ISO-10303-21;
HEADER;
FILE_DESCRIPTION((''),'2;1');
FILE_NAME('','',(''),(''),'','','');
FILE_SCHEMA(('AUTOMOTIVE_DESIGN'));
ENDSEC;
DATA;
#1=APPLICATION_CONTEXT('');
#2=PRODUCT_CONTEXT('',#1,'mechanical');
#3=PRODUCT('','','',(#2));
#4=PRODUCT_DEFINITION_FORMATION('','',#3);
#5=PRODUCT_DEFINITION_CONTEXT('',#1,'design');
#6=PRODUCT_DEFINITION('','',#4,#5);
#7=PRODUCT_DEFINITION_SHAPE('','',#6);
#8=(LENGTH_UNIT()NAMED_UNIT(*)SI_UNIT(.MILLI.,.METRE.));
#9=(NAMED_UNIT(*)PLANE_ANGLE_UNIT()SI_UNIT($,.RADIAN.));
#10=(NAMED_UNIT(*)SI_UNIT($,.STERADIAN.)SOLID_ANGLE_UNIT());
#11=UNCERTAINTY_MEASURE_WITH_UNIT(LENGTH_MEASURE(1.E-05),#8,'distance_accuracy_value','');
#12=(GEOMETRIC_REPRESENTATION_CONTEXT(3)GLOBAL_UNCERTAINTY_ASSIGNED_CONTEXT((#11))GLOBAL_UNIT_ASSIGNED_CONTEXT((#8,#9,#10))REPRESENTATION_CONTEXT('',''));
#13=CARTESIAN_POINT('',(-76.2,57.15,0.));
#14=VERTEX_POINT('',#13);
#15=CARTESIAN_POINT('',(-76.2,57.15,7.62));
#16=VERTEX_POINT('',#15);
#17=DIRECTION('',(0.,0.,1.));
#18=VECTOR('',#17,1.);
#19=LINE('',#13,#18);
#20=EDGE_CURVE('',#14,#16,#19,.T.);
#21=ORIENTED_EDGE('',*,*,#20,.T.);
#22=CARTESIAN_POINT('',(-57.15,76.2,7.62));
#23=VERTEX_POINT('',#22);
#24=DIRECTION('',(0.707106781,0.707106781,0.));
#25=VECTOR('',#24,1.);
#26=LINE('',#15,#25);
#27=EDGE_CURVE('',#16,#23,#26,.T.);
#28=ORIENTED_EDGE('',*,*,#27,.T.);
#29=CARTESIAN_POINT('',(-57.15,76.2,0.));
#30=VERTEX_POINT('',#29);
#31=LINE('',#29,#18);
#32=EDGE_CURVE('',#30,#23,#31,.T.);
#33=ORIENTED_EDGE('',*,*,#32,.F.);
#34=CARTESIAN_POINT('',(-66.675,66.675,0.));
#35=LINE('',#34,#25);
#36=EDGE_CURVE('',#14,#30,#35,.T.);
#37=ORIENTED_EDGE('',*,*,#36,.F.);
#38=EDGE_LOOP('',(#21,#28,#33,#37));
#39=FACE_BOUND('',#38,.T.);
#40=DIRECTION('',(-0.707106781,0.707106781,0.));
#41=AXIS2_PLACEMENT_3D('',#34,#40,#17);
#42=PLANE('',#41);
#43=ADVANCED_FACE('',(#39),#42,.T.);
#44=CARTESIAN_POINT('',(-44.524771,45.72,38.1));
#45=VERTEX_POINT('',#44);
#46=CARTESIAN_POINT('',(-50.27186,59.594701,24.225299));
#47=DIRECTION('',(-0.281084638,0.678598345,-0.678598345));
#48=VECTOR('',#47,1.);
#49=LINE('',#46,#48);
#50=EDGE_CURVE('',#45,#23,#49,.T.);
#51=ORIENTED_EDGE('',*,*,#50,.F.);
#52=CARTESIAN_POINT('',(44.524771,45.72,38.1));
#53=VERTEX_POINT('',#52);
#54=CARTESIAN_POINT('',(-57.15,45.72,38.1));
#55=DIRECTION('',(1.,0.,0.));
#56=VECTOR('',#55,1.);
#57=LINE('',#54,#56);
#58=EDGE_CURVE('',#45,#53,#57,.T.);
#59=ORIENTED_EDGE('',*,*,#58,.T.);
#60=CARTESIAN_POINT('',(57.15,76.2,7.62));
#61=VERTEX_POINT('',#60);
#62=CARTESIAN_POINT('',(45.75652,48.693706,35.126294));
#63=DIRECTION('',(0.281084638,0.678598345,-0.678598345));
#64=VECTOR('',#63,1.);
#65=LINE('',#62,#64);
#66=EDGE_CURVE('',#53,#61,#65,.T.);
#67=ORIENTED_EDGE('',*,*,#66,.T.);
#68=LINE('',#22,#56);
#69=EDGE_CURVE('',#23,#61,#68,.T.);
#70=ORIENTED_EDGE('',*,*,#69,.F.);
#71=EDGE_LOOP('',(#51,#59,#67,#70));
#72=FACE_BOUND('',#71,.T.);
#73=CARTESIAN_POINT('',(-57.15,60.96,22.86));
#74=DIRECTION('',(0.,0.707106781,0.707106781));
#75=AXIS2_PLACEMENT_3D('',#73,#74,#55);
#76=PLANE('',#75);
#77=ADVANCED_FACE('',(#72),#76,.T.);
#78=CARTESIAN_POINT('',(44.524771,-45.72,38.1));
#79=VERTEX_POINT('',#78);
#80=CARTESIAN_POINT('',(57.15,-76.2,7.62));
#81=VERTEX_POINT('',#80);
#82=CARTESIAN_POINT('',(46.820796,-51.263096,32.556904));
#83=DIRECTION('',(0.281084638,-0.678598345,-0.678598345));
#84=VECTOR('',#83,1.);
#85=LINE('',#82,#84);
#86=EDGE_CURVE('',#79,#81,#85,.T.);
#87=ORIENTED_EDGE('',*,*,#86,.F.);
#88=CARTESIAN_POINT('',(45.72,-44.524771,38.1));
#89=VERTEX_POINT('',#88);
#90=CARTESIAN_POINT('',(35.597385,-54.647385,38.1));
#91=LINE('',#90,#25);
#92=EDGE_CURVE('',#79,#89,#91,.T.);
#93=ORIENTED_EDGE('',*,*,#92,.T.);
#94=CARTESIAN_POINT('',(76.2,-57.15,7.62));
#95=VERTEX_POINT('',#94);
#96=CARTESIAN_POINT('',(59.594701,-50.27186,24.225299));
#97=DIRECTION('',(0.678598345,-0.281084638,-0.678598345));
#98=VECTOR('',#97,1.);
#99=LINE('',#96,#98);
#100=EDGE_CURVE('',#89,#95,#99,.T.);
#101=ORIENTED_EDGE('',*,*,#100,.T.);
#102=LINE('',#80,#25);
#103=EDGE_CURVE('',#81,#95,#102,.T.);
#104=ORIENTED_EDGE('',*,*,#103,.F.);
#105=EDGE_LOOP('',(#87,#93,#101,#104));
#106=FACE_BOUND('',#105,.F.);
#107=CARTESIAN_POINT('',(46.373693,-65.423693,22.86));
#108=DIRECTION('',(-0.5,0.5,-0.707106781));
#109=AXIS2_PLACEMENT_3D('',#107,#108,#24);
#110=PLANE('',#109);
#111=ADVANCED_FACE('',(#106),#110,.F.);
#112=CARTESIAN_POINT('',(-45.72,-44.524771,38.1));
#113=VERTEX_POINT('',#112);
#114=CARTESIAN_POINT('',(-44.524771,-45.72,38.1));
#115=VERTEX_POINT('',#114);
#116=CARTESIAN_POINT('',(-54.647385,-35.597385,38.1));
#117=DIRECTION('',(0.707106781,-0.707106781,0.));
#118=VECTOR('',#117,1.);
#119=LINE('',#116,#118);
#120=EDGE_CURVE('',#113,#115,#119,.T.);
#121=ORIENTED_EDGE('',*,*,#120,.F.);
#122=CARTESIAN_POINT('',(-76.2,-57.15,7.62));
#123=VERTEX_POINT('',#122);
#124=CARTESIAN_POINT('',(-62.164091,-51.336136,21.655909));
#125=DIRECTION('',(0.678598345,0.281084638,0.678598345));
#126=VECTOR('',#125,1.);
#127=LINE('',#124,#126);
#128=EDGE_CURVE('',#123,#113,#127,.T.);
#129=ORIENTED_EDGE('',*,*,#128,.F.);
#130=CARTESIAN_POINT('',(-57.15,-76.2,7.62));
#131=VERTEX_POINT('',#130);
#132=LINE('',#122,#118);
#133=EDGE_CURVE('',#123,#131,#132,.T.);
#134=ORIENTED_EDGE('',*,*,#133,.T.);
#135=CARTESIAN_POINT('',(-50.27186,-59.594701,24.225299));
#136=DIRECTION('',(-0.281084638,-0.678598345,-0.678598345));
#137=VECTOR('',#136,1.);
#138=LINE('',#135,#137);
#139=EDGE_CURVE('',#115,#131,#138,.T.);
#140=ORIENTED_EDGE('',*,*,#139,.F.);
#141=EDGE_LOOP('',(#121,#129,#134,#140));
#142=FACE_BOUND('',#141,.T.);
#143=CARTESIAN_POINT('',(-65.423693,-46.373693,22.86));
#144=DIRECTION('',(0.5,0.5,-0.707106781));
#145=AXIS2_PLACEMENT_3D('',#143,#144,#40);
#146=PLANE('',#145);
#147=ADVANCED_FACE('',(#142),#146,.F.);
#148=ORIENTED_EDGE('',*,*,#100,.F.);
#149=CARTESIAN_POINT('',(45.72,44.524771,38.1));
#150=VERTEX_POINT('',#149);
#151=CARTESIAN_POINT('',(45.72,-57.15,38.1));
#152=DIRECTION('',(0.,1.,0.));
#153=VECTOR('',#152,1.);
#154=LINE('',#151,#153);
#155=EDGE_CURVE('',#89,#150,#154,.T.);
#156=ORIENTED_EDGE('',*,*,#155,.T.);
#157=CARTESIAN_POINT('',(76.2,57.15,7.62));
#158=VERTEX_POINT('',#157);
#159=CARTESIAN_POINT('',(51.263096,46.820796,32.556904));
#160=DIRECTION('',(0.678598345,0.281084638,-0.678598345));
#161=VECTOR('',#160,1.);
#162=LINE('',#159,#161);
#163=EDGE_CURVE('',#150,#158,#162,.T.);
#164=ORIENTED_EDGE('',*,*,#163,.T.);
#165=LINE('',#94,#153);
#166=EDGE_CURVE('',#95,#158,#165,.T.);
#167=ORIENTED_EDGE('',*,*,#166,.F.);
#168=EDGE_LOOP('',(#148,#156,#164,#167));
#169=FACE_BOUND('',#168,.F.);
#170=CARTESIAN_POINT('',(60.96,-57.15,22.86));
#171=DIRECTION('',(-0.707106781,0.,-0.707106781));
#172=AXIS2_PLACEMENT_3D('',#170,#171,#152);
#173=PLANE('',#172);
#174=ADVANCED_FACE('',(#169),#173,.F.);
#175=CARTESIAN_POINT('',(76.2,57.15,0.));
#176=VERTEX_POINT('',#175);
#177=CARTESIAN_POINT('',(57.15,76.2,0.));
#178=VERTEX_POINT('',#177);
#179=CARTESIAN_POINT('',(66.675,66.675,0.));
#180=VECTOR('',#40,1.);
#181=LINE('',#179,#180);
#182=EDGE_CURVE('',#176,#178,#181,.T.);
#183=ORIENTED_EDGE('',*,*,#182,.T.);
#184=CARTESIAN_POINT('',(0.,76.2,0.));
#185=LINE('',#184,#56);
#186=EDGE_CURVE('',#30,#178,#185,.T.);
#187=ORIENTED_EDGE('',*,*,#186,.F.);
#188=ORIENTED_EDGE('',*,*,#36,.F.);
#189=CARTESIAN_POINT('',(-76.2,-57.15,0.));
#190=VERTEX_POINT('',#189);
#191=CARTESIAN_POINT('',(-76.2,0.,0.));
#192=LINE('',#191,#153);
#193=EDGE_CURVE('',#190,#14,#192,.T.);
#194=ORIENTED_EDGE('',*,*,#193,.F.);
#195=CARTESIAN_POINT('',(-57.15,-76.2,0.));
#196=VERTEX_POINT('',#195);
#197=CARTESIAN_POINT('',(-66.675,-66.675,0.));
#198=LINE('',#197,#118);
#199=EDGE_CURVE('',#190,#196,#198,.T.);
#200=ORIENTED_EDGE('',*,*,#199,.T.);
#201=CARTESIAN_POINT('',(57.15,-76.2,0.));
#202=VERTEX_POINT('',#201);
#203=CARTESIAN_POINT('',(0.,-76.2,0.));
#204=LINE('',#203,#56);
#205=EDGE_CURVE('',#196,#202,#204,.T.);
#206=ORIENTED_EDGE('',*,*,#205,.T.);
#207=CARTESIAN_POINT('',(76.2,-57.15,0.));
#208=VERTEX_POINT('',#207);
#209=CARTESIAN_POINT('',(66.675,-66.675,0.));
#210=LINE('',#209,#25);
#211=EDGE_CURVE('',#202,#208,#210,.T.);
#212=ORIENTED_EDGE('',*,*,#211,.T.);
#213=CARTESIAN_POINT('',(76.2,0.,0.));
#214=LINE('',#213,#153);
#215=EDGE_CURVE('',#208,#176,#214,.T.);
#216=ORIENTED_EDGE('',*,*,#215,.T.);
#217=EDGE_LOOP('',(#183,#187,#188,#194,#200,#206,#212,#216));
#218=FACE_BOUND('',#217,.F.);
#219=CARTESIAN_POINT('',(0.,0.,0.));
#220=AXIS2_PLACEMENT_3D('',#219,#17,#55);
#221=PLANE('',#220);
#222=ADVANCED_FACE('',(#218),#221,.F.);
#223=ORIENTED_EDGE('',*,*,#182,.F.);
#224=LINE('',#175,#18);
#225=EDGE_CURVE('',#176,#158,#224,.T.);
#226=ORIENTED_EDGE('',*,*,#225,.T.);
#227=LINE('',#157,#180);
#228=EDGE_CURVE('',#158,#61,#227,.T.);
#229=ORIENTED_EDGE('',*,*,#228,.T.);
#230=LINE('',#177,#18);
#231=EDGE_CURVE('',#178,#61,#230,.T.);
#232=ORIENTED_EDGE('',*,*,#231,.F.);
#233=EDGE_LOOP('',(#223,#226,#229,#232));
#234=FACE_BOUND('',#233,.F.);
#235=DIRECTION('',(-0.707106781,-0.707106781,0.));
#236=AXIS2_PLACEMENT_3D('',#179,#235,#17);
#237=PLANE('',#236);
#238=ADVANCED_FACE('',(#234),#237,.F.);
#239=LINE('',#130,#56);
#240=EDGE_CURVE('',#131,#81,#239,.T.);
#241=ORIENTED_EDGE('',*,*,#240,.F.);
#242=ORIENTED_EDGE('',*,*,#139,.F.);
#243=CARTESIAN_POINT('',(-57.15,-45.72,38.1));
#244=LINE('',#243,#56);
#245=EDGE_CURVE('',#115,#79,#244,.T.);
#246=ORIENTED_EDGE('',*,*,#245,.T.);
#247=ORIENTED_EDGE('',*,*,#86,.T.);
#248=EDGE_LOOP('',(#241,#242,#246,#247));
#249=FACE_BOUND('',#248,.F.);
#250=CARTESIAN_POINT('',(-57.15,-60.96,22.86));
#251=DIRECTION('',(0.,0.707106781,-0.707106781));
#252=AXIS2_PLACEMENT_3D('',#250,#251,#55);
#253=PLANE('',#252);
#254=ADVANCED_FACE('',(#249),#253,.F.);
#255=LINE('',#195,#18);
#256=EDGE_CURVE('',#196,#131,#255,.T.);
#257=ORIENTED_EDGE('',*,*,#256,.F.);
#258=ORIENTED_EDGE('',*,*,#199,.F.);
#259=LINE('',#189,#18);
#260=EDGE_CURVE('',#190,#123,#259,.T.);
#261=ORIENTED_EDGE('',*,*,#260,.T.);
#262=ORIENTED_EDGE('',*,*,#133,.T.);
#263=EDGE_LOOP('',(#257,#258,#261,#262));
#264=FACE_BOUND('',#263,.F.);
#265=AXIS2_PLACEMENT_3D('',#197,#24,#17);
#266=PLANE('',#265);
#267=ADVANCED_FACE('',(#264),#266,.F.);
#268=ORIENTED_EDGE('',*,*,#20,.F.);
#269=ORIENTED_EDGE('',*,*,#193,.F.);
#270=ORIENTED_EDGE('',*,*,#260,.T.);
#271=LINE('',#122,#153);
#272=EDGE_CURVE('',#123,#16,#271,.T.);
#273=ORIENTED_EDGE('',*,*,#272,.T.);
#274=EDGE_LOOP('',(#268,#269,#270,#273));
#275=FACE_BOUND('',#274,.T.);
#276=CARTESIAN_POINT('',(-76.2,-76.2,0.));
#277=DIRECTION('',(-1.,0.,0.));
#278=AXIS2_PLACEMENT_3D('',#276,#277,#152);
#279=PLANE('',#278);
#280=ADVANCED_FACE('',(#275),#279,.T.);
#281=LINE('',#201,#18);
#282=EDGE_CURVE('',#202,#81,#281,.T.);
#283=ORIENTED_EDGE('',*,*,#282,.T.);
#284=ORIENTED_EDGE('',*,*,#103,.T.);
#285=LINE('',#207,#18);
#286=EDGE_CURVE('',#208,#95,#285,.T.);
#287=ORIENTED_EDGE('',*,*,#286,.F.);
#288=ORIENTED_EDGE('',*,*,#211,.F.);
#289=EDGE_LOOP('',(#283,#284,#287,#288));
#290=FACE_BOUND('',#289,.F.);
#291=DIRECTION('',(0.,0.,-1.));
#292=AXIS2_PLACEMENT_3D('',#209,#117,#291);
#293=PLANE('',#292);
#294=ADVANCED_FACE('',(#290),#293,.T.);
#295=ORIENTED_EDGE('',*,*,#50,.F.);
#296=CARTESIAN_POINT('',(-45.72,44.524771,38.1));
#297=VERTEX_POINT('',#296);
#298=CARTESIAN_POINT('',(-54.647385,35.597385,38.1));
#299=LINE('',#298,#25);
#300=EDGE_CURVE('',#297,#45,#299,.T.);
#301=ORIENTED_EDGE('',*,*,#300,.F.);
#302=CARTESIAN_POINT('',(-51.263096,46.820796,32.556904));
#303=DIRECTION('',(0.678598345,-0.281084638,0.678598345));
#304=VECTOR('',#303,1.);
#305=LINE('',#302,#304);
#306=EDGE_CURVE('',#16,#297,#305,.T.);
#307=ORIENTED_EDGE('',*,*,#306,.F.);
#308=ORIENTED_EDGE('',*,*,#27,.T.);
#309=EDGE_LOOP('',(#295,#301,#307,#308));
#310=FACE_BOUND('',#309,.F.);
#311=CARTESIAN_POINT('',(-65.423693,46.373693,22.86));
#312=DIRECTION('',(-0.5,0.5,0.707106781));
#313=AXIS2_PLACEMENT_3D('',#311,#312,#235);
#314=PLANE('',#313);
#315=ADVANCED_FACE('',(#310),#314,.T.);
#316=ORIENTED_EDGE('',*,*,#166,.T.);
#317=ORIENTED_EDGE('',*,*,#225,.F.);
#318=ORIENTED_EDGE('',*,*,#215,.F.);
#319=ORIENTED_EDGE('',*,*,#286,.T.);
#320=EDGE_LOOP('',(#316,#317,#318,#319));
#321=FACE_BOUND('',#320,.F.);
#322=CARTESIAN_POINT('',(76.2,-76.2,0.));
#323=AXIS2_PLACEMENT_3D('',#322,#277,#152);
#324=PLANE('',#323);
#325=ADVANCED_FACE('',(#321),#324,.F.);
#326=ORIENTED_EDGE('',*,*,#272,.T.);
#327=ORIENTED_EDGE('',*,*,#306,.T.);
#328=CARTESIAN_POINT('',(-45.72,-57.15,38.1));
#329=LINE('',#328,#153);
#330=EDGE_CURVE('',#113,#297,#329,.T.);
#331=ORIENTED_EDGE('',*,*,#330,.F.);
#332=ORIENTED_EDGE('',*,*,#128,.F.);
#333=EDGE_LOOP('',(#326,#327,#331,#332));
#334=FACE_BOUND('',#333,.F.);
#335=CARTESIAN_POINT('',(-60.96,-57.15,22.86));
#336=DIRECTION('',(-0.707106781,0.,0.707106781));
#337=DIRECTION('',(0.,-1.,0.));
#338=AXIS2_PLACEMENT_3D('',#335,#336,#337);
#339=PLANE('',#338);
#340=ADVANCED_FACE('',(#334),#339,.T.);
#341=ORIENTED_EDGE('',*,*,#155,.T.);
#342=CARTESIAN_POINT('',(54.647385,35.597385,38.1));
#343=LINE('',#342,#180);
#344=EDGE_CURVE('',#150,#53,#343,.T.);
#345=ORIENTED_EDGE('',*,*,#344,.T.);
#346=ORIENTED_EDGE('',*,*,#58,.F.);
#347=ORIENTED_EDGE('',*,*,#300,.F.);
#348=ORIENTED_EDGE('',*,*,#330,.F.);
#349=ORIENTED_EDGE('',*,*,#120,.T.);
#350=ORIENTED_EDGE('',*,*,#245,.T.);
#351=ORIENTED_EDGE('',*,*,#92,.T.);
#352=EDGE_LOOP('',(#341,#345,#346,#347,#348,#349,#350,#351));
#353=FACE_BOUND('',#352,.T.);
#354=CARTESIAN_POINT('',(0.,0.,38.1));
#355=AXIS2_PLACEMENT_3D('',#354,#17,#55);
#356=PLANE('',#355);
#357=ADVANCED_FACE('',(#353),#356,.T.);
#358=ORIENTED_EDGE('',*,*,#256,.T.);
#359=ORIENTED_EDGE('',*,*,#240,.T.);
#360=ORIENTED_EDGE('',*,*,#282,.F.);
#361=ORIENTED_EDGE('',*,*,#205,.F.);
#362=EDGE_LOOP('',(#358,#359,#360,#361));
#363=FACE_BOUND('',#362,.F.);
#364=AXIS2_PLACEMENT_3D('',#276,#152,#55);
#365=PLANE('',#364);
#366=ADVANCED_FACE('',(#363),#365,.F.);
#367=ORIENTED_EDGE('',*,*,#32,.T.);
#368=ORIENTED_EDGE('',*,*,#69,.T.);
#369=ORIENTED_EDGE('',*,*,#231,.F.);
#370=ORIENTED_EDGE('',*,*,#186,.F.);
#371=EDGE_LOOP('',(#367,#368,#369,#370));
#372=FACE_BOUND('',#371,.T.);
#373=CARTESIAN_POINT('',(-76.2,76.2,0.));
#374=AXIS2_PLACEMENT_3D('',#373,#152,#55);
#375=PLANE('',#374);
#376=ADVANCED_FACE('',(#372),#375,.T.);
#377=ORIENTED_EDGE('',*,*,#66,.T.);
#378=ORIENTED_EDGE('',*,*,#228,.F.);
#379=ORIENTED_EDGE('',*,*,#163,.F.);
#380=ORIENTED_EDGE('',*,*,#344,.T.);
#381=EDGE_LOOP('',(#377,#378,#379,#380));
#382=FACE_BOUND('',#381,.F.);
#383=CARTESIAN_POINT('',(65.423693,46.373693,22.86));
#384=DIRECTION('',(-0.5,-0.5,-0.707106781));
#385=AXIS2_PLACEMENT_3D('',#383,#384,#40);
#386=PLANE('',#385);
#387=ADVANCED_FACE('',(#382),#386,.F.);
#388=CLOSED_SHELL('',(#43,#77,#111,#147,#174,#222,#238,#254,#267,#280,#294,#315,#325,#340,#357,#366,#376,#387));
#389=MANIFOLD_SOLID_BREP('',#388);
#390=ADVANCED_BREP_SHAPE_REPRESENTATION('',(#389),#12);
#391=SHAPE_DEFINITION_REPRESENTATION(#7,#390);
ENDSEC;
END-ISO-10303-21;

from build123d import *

# Parameters (mm, degrees)
F0_W     = 152.4
F0_H     = 152.4
F1_DEPTH = 38.1
F2_SIZE  = 19.05
F3_SIZE  = 30.48


with BuildPart() as f1:
    # F0 (on Top) → F1 (new body)
    with BuildSketch(Plane.XY):
        Rectangle(F0_W, F0_H)
    extrude(amount=F1_DEPTH)

    # F2
    f2_edges = [f1.edges().sort_by_distance(p)[0] for p in [
        (-76.2, -76.2, 19.05),
        (76.2, -76.2, 19.05),
        (76.2, 76.2, 19.05),
        (-76.2, 76.2, 19.05),
    ]]
    chamfer(f2_edges, length=F2_SIZE)

    # F3
    f3_edges = [f1.edges().sort_by_distance(p)[0] for p in [
        (0, -76.2, 38.1),
        (-76.2, 0, 38.1),
        (0, 76.2, 38.1),
        (76.2, 0, 38.1),
        (66.675, -66.675, 38.1),
        (66.675, 66.675, 38.1),
        (-66.675, 66.675, 38.1),
        (-66.675, -66.675, 38.1),
    ]]
    chamfer(f3_edges, length=F3_SIZE)


solid = f1.part
